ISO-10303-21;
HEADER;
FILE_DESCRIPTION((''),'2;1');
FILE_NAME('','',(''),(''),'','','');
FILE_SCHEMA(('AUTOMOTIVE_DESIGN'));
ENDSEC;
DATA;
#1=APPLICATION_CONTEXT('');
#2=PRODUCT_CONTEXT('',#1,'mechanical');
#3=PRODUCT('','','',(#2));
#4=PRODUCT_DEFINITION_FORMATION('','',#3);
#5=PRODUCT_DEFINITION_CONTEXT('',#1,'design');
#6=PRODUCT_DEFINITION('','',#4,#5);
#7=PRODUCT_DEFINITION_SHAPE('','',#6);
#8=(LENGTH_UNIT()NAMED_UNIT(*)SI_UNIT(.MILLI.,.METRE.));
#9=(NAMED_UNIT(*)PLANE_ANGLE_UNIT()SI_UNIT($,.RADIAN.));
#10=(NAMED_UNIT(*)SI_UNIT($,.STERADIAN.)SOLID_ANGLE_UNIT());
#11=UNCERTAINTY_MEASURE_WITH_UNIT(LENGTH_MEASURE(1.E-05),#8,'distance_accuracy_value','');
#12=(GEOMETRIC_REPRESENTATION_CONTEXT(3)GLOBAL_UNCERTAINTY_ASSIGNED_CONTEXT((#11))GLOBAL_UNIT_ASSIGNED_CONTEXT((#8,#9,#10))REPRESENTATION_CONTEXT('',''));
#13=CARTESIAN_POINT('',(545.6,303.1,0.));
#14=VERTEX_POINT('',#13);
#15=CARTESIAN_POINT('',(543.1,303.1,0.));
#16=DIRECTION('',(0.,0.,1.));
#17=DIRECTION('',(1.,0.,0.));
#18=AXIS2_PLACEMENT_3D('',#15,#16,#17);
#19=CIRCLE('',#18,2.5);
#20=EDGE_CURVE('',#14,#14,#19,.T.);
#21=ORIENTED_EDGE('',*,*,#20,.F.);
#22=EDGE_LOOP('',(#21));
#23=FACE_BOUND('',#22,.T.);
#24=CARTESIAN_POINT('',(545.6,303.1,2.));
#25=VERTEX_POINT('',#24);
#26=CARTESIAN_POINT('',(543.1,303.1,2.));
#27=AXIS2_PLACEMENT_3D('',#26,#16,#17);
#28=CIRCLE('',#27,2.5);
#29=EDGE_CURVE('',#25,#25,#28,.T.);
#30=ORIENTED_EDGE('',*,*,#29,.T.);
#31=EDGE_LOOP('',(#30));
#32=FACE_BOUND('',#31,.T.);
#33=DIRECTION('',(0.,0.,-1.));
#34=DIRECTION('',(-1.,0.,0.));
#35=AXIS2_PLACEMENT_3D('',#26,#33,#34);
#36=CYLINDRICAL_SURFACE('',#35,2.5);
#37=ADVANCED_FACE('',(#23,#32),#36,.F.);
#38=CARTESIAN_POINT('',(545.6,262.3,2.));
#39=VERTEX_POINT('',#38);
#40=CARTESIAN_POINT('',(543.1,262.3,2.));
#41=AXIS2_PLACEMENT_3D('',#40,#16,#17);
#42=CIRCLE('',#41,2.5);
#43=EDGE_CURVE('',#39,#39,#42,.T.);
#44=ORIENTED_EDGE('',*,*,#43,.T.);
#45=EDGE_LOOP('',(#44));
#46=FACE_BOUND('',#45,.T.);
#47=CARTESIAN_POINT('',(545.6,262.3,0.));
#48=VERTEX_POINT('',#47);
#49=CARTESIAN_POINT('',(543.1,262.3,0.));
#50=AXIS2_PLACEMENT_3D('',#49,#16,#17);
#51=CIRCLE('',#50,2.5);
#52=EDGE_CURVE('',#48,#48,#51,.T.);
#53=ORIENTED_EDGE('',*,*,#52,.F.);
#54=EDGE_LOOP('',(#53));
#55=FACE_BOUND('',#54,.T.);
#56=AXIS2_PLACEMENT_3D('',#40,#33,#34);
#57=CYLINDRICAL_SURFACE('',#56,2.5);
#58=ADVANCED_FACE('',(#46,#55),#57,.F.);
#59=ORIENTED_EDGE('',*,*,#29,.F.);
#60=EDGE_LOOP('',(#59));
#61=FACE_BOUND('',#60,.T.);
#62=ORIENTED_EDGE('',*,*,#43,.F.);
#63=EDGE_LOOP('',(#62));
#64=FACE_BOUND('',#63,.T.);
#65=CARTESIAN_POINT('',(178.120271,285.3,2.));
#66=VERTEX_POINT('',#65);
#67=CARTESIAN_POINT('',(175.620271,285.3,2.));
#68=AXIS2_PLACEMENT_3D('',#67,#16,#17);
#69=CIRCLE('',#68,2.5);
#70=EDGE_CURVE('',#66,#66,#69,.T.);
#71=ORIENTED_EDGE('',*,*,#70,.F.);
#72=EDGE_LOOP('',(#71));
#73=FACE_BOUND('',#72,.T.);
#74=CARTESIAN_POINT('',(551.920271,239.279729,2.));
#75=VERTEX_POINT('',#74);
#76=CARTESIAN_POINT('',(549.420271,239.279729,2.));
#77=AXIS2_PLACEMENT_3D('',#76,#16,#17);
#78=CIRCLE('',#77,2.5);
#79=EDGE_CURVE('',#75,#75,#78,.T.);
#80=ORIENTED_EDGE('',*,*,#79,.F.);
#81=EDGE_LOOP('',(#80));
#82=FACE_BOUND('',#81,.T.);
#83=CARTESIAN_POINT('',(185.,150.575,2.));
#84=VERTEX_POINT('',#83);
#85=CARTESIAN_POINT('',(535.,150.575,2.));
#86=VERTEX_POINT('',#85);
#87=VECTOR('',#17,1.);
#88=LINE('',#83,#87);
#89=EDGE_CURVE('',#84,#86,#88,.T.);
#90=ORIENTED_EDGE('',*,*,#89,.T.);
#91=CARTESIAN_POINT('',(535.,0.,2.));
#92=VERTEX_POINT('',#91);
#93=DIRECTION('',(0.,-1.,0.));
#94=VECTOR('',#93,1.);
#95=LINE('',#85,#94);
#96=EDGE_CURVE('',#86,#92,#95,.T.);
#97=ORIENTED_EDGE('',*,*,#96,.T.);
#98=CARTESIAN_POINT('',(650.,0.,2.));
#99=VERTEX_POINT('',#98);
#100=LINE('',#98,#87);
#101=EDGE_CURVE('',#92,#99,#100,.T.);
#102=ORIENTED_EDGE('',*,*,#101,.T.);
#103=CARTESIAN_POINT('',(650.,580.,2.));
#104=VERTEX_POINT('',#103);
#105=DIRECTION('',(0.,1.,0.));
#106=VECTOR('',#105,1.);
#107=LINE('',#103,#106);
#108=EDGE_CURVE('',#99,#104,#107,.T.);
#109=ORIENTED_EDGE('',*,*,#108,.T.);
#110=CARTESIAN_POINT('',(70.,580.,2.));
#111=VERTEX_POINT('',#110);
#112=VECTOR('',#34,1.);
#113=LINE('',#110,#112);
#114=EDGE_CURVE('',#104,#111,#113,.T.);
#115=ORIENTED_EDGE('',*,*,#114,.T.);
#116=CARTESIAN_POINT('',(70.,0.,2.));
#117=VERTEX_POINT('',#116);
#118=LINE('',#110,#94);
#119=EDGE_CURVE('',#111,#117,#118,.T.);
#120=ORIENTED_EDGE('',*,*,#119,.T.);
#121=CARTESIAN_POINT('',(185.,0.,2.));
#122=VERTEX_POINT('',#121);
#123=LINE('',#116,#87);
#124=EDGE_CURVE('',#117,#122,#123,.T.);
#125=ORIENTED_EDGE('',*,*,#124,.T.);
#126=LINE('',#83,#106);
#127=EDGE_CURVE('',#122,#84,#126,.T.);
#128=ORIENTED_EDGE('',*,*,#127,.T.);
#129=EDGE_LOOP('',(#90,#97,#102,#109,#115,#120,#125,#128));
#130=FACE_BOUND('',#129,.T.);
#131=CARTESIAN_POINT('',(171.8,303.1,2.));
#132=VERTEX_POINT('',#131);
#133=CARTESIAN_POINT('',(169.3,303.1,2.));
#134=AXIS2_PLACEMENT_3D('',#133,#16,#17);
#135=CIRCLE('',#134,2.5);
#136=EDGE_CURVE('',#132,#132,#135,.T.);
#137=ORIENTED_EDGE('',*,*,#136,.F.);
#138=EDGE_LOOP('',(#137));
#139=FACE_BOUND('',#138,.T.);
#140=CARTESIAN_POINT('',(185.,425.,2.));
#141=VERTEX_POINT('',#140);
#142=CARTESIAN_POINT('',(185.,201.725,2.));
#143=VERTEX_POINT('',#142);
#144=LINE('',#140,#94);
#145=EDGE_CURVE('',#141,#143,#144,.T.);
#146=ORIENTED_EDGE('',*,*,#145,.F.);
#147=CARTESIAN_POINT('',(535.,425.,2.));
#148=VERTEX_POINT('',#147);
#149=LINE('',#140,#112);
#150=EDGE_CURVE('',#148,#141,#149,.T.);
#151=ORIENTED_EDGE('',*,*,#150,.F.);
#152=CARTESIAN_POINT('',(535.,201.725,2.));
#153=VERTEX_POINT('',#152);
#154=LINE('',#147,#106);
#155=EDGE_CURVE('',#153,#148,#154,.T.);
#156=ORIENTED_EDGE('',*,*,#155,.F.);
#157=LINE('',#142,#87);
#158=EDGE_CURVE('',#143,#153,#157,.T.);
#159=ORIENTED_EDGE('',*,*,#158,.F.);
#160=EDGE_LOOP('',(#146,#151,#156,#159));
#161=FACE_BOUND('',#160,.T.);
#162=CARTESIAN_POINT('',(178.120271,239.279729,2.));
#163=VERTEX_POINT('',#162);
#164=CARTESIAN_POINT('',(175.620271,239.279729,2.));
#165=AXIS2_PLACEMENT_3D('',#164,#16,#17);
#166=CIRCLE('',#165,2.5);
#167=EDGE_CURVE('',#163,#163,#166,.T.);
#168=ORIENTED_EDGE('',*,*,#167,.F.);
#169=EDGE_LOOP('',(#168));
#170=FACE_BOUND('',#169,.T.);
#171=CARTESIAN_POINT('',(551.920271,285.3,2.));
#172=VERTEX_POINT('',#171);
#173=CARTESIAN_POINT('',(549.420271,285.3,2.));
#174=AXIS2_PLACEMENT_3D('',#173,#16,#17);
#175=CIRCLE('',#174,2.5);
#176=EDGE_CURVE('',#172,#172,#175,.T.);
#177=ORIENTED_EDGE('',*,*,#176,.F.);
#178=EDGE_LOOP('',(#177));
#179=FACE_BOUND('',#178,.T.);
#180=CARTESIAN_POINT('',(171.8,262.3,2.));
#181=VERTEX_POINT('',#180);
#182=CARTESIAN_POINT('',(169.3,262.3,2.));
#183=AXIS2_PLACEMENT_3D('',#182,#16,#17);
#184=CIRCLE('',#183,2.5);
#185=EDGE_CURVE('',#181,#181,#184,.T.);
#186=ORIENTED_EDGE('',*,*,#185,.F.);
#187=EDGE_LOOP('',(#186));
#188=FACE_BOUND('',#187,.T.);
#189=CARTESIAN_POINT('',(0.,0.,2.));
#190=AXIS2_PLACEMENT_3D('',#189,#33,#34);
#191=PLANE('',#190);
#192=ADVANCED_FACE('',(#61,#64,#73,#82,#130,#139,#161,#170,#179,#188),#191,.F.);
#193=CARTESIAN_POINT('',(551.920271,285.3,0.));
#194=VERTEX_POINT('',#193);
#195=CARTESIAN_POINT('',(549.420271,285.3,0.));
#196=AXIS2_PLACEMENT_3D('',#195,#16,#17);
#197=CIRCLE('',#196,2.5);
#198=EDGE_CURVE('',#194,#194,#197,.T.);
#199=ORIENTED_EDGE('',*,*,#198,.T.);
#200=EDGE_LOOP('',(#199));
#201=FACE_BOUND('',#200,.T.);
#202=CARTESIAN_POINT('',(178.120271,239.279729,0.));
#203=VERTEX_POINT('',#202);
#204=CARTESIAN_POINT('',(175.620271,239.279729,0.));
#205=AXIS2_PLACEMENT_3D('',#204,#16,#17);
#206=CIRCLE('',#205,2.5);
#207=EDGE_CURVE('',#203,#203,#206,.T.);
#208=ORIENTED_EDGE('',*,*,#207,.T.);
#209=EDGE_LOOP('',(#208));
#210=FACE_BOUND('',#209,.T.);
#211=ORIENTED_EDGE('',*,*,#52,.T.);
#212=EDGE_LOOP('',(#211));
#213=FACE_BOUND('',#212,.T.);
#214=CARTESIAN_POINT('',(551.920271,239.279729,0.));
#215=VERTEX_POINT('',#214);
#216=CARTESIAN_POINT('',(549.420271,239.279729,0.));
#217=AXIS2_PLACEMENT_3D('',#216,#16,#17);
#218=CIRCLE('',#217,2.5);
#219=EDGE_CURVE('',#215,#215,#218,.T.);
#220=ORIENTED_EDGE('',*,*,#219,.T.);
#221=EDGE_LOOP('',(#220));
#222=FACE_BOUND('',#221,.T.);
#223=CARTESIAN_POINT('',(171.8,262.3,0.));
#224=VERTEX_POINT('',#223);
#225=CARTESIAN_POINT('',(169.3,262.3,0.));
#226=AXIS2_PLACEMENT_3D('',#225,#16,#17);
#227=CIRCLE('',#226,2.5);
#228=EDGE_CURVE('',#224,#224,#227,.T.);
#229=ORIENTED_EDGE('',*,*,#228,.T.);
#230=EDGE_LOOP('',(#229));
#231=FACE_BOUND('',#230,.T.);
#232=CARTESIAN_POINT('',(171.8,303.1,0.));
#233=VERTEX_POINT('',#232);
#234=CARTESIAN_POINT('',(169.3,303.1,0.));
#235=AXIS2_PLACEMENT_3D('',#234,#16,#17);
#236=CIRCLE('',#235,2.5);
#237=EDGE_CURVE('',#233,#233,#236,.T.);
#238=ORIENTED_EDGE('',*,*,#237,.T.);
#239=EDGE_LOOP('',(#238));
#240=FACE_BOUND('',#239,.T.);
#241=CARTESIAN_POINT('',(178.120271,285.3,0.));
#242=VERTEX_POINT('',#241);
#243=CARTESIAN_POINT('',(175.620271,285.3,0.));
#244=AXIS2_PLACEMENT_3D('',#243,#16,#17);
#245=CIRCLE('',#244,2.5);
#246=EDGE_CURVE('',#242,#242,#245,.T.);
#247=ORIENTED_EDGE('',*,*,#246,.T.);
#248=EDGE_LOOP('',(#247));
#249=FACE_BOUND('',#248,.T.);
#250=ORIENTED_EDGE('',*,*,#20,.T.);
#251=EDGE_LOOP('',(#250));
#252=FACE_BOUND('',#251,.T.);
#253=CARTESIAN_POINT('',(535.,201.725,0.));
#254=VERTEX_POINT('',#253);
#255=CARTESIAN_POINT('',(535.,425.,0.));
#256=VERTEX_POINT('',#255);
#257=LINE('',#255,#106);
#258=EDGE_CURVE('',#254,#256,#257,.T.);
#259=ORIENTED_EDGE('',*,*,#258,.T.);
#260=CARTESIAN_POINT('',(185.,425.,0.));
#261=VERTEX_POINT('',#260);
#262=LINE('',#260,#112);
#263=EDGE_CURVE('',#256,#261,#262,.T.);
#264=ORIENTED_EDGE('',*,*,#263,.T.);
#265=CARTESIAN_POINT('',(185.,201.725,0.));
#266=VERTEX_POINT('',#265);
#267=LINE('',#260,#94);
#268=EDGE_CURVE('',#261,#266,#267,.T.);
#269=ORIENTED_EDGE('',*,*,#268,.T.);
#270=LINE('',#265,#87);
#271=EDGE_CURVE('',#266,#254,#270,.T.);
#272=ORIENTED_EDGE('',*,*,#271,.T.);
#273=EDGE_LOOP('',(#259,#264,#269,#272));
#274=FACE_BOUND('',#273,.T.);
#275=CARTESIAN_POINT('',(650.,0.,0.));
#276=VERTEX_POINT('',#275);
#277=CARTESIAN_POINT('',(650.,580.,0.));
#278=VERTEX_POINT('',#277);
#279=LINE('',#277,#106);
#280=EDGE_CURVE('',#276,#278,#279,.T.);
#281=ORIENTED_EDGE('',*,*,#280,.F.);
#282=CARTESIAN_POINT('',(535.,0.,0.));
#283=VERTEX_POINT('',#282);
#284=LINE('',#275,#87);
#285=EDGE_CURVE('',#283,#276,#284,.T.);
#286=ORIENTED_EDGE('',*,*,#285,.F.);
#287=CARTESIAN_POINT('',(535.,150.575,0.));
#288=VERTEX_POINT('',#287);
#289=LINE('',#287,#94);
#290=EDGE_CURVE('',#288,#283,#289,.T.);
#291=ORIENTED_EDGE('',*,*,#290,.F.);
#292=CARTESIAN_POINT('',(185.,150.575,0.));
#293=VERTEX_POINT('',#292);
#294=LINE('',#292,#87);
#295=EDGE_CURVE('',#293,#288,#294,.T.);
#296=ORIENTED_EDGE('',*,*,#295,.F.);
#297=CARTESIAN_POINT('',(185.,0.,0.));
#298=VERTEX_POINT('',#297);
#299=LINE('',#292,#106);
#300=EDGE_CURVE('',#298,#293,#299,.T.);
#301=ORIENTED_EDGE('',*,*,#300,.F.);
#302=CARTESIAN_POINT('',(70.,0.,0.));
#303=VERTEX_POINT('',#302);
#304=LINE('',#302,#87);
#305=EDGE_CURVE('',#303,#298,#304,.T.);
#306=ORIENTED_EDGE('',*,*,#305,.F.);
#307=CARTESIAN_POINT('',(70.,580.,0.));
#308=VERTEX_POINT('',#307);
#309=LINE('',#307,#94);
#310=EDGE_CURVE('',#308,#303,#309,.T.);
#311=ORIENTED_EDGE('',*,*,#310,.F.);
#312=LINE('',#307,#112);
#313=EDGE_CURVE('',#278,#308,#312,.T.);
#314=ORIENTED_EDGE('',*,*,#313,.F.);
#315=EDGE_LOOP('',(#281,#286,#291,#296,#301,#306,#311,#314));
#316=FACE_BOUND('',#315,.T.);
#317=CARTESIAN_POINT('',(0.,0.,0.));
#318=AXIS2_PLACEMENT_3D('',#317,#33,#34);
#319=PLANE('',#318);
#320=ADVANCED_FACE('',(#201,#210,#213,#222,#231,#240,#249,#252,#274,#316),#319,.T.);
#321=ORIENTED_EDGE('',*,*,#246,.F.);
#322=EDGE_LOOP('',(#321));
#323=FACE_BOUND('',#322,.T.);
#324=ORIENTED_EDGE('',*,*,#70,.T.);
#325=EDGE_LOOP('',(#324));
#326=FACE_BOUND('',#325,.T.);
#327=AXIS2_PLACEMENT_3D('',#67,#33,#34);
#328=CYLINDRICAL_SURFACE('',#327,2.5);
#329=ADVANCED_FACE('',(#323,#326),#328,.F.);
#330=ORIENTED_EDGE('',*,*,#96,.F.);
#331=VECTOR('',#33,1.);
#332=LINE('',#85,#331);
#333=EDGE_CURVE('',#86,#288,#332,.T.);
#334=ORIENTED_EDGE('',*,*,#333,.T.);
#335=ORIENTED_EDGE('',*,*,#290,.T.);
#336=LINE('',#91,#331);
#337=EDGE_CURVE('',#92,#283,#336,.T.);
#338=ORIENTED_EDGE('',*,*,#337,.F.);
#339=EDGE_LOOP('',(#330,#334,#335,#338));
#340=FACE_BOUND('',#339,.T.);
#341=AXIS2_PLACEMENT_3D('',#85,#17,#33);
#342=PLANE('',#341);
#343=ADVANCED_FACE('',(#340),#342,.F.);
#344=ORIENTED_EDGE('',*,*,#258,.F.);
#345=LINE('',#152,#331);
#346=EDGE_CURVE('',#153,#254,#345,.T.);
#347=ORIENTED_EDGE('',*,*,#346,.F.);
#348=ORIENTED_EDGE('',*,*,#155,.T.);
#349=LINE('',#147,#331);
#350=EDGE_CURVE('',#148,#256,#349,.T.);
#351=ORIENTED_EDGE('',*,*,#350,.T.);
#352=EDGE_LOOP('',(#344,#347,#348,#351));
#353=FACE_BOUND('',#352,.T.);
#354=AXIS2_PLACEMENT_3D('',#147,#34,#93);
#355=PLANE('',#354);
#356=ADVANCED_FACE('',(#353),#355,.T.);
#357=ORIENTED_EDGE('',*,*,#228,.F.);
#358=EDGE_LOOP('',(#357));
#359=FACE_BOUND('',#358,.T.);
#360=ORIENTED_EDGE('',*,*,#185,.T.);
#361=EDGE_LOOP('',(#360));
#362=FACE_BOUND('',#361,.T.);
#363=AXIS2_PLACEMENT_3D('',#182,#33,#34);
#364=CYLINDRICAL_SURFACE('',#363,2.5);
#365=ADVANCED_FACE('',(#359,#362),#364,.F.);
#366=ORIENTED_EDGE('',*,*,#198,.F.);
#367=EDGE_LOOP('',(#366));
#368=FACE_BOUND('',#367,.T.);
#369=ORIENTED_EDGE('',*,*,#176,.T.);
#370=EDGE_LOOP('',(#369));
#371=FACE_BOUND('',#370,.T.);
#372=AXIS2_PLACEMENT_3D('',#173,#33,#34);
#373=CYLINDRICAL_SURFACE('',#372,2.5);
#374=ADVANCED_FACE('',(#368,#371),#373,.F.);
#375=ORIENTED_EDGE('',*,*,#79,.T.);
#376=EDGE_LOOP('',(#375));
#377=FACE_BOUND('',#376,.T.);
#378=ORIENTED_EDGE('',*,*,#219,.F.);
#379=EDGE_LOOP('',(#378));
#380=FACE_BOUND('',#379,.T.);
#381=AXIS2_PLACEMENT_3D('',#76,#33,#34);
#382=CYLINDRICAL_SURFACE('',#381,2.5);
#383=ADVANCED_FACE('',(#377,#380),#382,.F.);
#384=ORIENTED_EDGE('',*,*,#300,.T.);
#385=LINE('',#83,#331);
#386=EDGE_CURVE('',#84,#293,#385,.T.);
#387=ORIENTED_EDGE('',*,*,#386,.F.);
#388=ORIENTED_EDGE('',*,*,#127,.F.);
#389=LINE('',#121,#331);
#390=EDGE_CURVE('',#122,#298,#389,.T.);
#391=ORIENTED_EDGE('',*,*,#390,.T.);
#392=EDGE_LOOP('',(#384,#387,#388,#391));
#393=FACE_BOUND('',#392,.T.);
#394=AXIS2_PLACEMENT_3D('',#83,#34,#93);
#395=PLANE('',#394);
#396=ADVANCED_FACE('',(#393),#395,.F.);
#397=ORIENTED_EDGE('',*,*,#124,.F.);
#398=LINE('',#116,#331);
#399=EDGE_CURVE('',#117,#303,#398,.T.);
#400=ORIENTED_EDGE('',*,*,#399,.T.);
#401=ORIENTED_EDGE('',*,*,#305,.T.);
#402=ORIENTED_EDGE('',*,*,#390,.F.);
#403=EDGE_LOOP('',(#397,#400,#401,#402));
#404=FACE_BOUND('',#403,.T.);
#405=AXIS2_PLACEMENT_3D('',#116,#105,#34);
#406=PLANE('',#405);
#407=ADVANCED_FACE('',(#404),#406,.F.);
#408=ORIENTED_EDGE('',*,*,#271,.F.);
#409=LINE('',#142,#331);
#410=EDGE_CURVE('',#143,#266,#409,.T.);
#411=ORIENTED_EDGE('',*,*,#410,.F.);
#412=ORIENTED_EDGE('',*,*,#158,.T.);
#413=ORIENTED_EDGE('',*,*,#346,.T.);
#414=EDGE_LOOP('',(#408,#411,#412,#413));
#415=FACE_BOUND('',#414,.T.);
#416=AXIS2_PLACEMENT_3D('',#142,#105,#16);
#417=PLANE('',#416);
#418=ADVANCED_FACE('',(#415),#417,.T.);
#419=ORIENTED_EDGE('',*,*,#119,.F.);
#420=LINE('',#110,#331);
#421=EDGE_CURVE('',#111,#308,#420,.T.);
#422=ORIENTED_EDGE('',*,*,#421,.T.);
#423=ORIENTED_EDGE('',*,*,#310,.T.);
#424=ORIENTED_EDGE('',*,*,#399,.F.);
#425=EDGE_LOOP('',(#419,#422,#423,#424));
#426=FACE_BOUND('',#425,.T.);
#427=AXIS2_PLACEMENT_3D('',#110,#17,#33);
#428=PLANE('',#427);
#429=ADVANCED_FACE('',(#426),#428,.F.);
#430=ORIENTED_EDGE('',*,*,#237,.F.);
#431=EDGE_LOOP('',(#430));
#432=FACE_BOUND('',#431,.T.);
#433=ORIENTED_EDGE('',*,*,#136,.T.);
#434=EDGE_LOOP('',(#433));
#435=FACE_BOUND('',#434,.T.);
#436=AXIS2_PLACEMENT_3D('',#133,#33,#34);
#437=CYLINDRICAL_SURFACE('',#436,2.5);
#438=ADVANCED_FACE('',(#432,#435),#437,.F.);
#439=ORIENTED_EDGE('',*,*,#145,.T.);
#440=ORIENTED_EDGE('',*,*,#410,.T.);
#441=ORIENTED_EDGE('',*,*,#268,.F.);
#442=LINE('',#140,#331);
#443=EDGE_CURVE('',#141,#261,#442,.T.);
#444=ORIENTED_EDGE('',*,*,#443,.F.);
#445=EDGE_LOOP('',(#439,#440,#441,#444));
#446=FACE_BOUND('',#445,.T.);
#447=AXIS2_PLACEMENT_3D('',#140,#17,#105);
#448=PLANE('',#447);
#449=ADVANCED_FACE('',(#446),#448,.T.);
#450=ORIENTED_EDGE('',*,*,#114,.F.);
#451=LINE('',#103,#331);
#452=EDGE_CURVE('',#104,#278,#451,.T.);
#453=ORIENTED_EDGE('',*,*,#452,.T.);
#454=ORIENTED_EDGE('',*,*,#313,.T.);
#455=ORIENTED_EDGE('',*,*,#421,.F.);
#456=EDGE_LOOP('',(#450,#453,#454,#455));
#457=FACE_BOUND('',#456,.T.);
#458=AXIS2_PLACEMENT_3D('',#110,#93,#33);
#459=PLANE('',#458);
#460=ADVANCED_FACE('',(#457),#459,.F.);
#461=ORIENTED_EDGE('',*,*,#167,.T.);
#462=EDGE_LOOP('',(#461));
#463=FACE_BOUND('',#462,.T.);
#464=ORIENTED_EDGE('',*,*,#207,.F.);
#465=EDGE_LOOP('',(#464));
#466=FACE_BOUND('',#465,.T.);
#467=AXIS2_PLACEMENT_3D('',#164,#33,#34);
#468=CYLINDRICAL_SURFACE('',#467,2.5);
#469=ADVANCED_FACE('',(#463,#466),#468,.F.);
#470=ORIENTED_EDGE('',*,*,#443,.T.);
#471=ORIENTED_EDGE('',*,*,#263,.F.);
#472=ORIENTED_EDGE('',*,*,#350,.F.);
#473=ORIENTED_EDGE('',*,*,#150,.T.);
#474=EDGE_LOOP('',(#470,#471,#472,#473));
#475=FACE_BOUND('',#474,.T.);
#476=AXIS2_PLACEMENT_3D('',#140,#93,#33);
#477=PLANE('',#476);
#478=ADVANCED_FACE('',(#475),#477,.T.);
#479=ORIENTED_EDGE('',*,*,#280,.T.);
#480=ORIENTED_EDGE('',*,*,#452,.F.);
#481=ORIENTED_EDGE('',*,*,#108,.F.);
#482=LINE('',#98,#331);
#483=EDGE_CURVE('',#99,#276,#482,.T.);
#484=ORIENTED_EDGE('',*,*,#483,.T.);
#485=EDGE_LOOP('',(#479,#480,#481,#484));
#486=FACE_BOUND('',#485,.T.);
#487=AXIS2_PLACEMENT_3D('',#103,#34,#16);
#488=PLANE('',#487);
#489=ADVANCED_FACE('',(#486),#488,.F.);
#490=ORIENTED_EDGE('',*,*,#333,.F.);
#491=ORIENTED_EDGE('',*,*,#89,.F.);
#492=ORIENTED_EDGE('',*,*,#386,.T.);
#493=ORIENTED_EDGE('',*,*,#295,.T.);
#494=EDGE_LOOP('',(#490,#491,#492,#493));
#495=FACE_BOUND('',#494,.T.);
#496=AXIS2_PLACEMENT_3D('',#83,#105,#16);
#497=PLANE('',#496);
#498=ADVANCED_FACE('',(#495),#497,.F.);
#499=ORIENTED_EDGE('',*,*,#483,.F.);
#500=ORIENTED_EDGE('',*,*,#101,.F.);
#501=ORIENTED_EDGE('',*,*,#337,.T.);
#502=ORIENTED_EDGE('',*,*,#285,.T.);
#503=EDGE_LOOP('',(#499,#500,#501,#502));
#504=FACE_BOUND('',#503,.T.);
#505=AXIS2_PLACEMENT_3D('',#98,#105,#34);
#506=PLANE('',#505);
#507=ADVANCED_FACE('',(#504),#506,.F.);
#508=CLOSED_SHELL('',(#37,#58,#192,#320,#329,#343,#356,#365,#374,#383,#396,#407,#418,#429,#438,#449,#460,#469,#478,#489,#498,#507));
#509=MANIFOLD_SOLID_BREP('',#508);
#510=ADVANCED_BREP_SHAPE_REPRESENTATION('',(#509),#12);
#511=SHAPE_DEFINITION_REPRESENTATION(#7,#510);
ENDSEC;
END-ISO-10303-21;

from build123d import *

# Parameters (mm, degrees)
SKETCH_1_R      = 2.5
SKETCH_1_W      = 350
SKETCH_1_H      = 223.275
EXTRUDE_1_DEPTH = 2


with BuildPart() as part:
    # 草图1 → 凸台-拉伸1 (new body)
    with BuildSketch(Plane.XY):
        Polygon((70, 580), (650, 580), (650, 0), (535, 0), (535, 150.575), (185, 150.575), (185, 0), (70, 0), align=None)
        with Locations((175.620271067, 285.3)):
            Circle(SKETCH_1_R, mode=Mode.SUBTRACT)
        with Locations((175.620271067, 239.279728933)):
            Circle(SKETCH_1_R, mode=Mode.SUBTRACT)
        with Locations((169.3, 262.3)):
            Circle(SKETCH_1_R, mode=Mode.SUBTRACT)
        with Locations((169.3, 303.1)):
            Circle(SKETCH_1_R, mode=Mode.SUBTRACT)
        with Locations((549.420271067, 285.3)):
            Circle(SKETCH_1_R, mode=Mode.SUBTRACT)
        with Locations((549.420271067, 239.279728933)):
            Circle(SKETCH_1_R, mode=Mode.SUBTRACT)
        with Locations((543.1, 262.3)):
            Circle(SKETCH_1_R, mode=Mode.SUBTRACT)
        with Locations((543.1, 303.1)):
            Circle(SKETCH_1_R, mode=Mode.SUBTRACT)
        with Locations((360, 313.3625)):
            Rectangle(SKETCH_1_W, SKETCH_1_H, mode=Mode.SUBTRACT)
    extrude(amount=EXTRUDE_1_DEPTH)


solid = part.part
